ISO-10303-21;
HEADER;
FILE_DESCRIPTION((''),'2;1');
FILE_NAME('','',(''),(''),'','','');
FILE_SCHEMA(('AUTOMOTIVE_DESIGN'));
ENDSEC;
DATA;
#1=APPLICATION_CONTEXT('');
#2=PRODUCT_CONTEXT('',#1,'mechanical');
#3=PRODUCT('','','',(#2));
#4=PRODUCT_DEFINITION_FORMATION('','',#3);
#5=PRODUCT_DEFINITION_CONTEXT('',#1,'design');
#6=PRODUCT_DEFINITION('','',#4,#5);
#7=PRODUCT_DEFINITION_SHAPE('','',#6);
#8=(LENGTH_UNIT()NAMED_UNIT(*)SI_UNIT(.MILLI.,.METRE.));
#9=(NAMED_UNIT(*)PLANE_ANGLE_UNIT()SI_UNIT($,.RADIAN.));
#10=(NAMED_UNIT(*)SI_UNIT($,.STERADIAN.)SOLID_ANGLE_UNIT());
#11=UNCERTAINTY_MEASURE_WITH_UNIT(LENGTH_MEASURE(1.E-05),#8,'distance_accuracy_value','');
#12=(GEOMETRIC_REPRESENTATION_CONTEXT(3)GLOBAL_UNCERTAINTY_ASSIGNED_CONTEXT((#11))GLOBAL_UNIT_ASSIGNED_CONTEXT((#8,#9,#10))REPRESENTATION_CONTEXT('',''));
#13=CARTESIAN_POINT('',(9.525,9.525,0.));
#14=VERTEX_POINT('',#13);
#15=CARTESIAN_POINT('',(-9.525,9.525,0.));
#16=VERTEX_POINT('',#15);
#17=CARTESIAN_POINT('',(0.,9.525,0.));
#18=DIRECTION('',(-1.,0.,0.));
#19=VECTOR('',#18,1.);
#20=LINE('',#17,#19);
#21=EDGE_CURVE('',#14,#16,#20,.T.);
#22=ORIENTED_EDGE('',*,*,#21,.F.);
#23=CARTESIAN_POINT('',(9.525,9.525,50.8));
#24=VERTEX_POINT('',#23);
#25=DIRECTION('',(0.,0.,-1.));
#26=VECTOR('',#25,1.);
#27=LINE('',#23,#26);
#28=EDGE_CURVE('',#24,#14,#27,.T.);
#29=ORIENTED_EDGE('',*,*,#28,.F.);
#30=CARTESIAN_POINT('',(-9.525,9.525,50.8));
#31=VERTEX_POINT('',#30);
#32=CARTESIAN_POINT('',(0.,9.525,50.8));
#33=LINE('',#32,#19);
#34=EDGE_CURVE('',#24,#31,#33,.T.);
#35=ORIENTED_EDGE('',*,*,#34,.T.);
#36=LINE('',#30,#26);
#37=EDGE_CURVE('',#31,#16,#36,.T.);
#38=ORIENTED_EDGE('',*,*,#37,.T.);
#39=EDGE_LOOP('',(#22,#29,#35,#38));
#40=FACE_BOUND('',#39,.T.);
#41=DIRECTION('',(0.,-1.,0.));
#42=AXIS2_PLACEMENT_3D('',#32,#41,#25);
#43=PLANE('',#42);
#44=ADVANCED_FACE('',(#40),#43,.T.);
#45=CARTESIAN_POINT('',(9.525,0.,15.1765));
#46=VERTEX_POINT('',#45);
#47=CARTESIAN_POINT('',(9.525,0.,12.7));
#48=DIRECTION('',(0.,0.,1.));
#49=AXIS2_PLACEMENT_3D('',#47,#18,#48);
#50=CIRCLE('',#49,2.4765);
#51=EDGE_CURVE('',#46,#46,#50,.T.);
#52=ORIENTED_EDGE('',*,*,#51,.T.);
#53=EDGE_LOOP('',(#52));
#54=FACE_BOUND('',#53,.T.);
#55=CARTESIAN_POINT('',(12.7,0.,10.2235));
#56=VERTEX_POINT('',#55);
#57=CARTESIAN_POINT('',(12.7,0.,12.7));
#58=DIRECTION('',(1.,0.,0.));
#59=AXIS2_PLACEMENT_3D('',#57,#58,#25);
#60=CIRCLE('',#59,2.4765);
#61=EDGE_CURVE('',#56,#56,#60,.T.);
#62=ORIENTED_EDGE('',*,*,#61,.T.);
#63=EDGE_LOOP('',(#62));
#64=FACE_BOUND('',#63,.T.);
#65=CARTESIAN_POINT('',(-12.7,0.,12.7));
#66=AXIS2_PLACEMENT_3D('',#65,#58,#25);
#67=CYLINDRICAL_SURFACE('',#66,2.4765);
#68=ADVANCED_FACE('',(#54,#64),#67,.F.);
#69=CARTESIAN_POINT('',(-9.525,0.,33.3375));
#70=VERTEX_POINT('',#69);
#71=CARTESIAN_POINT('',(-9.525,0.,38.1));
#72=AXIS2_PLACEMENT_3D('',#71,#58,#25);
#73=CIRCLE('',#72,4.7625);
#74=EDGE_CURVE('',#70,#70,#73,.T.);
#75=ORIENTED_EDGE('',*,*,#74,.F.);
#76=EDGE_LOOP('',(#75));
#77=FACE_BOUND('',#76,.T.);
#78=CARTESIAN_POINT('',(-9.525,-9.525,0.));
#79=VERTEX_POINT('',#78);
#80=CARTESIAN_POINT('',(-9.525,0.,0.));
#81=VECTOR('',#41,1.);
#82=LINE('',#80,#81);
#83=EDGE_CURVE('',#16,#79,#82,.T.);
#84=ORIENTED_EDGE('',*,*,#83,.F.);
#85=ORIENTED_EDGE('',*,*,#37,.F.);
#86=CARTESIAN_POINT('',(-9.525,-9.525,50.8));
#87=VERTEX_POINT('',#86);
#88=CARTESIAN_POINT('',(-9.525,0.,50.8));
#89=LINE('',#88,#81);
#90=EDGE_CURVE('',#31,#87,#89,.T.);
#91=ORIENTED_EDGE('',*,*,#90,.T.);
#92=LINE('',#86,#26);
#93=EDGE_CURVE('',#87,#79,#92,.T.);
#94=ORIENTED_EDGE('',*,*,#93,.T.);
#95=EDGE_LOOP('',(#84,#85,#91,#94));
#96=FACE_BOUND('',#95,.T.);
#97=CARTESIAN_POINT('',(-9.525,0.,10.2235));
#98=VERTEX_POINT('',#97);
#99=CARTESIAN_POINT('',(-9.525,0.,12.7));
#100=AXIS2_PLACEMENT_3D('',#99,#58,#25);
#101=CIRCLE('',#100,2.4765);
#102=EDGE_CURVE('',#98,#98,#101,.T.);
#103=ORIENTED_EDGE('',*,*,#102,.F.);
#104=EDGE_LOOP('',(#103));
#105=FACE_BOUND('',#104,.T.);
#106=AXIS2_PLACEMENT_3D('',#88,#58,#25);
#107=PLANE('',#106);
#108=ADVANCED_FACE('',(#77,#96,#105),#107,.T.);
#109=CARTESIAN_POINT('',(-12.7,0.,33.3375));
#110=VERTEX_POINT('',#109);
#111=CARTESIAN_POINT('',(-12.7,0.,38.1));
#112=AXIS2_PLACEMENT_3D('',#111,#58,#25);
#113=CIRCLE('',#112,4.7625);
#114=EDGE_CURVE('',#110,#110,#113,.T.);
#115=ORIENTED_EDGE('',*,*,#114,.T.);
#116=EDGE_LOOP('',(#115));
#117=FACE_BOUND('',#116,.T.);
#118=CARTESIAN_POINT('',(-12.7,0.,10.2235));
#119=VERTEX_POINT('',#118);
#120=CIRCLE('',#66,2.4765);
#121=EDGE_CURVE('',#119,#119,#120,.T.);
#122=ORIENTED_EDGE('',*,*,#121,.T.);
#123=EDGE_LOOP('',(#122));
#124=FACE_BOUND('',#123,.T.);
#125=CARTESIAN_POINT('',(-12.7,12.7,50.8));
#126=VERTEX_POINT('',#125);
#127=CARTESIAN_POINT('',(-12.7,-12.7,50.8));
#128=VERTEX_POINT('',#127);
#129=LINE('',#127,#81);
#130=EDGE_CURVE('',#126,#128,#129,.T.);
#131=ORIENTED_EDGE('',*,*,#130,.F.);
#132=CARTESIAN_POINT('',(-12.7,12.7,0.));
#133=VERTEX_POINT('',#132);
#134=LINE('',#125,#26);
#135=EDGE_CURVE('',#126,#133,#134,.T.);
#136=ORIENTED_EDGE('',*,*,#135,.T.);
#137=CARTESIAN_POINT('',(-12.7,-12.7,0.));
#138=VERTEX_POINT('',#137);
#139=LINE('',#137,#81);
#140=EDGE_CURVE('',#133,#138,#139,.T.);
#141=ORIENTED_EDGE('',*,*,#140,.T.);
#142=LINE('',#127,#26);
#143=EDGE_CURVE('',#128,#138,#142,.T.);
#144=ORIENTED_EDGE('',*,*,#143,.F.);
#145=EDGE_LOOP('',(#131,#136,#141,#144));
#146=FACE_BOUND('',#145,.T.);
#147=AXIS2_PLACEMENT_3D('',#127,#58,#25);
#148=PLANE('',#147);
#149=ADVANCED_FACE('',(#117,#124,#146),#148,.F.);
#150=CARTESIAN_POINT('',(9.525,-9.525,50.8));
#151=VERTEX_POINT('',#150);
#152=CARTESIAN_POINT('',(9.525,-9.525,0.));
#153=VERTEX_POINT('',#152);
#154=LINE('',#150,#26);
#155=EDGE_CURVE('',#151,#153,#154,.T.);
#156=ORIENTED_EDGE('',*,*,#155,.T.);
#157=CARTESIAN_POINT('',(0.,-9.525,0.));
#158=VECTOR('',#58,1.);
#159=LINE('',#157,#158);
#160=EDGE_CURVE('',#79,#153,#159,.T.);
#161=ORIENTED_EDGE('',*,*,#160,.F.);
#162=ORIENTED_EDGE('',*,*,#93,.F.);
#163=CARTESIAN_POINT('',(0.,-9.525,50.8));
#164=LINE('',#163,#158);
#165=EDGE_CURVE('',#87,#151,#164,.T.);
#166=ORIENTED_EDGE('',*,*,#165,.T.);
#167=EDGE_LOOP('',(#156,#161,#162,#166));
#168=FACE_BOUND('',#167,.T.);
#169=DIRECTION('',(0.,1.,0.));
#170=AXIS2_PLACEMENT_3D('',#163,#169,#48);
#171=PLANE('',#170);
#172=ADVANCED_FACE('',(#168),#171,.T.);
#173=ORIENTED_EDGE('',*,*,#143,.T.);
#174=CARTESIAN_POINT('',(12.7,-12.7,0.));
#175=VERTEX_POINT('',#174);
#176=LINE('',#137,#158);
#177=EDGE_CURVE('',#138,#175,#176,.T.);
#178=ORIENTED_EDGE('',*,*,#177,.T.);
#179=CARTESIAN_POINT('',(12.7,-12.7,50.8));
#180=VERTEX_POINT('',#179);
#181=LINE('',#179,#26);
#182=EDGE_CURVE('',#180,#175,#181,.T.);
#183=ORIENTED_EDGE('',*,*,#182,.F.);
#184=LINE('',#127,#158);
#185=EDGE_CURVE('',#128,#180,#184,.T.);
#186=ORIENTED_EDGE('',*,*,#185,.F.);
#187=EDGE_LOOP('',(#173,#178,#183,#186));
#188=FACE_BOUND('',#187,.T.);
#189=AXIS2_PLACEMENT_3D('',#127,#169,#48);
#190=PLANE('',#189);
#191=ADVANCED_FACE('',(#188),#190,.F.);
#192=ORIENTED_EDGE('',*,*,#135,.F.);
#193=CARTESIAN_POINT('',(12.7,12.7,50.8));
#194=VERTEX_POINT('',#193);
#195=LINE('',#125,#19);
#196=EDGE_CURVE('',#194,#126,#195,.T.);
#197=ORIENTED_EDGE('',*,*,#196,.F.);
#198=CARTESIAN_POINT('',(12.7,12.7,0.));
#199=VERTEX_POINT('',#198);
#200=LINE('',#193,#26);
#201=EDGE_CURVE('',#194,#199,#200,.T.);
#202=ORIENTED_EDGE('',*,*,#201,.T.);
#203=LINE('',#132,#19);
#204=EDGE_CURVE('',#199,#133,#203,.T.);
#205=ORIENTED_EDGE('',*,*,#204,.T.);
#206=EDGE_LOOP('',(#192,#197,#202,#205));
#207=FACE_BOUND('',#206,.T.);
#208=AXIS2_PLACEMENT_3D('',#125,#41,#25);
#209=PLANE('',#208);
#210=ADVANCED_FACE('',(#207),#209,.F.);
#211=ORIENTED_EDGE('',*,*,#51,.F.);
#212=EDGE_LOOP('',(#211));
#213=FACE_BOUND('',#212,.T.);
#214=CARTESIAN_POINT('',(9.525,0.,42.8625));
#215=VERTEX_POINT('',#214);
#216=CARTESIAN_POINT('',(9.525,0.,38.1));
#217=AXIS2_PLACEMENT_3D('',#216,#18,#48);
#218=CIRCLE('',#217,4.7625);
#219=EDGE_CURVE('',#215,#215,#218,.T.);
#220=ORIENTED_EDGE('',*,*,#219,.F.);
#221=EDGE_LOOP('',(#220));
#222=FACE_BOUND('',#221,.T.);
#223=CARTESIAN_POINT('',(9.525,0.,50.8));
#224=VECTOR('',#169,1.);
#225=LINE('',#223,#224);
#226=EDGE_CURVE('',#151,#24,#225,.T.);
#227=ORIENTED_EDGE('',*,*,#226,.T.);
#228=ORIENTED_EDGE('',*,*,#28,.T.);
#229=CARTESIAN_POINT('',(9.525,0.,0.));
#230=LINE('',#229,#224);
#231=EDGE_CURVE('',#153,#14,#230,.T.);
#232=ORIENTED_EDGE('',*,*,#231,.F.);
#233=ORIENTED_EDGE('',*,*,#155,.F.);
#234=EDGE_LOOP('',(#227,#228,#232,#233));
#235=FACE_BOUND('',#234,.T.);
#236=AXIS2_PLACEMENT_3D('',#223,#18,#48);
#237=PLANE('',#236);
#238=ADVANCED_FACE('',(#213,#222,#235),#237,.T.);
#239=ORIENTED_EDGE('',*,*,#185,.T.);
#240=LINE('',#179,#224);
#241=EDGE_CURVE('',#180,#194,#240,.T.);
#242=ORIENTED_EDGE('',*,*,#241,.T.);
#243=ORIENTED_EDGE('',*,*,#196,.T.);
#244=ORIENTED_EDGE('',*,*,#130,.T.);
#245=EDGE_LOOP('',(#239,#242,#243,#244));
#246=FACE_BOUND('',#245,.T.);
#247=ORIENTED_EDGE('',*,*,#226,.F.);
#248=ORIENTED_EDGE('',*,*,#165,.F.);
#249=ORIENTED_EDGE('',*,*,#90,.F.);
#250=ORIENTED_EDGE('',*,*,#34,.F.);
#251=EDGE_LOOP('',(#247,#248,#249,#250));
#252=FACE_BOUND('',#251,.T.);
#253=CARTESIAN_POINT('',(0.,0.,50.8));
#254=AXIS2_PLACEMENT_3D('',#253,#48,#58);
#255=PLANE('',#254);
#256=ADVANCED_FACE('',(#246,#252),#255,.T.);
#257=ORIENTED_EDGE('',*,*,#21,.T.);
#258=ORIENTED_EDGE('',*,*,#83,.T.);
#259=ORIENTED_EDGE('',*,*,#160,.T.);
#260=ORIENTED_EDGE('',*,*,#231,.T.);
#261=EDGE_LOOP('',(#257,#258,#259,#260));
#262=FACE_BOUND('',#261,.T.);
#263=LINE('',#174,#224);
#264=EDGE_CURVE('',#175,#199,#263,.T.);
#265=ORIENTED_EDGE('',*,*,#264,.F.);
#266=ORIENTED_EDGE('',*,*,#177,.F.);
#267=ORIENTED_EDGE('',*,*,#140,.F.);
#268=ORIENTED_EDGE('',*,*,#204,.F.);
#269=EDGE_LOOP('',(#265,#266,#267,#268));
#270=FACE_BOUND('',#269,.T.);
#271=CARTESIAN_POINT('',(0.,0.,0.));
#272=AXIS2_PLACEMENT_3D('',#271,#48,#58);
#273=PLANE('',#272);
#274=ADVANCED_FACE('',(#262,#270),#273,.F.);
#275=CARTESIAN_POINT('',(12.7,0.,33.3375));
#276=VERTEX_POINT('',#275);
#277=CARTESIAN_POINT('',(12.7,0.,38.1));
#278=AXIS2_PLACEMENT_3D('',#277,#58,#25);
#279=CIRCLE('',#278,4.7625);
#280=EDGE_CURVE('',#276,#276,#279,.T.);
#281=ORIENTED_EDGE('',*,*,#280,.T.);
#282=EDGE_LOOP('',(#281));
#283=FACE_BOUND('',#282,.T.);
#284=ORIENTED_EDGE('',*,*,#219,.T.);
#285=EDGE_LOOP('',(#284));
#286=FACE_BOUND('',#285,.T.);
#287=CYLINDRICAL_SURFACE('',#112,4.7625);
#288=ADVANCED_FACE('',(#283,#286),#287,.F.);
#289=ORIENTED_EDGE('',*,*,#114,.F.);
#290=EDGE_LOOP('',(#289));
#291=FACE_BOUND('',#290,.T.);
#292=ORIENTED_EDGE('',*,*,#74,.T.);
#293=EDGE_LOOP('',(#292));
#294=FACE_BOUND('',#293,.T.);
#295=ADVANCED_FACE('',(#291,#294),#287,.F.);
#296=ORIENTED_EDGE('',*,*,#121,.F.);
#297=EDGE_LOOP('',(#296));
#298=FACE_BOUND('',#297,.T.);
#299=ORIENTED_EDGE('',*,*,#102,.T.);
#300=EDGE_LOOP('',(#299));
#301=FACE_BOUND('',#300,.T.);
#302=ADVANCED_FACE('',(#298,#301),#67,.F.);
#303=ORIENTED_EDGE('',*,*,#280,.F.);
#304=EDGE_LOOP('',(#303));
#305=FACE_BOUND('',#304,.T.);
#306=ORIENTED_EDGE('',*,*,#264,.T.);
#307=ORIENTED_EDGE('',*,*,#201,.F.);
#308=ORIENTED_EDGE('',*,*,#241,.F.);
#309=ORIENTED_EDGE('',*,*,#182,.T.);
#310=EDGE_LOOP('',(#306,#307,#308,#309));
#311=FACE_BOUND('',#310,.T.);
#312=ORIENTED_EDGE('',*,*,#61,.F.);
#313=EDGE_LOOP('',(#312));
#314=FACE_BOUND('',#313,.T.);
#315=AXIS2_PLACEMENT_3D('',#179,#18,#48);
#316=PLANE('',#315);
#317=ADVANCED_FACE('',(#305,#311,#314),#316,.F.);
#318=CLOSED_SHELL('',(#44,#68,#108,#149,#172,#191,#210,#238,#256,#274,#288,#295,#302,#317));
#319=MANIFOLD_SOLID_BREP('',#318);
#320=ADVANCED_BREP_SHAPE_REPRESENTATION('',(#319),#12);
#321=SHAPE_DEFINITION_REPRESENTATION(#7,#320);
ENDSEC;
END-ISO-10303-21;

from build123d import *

# Parameters (mm, degrees)
SKETCH1_W           = 25.4
SKETCH1_H           = 25.4
SKETCH1_W_2         = 19.05
SKETCH1_H_2         = 19.05
EXTRUDE_THIN1_DEPTH = 50.8
SKETCH2_R           = 4.7625
SKETCH2_R_2         = 2.4765
CUT_EXTRUDE1_DEPTH  = 26.4


with BuildPart() as part:
    # Sketch1 → Extrude-Thin1 (new body)
    with BuildSketch(Plane.XY):
        Rectangle(SKETCH1_W, SKETCH1_H)
        Rectangle(SKETCH1_W_2, SKETCH1_H_2, mode=Mode.SUBTRACT)
    extrude(amount=EXTRUDE_THIN1_DEPTH)

    # Sketch2 → Cut-Extrude1 (cut, through all)
    with BuildSketch(Plane(origin=(12.7, 0, 0), x_dir=(0, 0, -1), z_dir=(1, 0, 0))):
        with Locations((-38.1, 0)):
            Circle(SKETCH2_R)
        with Locations((-12.7, 0)):
            Circle(SKETCH2_R_2)
    extrude(amount=-CUT_EXTRUDE1_DEPTH, mode=Mode.SUBTRACT)


solid = part.part
